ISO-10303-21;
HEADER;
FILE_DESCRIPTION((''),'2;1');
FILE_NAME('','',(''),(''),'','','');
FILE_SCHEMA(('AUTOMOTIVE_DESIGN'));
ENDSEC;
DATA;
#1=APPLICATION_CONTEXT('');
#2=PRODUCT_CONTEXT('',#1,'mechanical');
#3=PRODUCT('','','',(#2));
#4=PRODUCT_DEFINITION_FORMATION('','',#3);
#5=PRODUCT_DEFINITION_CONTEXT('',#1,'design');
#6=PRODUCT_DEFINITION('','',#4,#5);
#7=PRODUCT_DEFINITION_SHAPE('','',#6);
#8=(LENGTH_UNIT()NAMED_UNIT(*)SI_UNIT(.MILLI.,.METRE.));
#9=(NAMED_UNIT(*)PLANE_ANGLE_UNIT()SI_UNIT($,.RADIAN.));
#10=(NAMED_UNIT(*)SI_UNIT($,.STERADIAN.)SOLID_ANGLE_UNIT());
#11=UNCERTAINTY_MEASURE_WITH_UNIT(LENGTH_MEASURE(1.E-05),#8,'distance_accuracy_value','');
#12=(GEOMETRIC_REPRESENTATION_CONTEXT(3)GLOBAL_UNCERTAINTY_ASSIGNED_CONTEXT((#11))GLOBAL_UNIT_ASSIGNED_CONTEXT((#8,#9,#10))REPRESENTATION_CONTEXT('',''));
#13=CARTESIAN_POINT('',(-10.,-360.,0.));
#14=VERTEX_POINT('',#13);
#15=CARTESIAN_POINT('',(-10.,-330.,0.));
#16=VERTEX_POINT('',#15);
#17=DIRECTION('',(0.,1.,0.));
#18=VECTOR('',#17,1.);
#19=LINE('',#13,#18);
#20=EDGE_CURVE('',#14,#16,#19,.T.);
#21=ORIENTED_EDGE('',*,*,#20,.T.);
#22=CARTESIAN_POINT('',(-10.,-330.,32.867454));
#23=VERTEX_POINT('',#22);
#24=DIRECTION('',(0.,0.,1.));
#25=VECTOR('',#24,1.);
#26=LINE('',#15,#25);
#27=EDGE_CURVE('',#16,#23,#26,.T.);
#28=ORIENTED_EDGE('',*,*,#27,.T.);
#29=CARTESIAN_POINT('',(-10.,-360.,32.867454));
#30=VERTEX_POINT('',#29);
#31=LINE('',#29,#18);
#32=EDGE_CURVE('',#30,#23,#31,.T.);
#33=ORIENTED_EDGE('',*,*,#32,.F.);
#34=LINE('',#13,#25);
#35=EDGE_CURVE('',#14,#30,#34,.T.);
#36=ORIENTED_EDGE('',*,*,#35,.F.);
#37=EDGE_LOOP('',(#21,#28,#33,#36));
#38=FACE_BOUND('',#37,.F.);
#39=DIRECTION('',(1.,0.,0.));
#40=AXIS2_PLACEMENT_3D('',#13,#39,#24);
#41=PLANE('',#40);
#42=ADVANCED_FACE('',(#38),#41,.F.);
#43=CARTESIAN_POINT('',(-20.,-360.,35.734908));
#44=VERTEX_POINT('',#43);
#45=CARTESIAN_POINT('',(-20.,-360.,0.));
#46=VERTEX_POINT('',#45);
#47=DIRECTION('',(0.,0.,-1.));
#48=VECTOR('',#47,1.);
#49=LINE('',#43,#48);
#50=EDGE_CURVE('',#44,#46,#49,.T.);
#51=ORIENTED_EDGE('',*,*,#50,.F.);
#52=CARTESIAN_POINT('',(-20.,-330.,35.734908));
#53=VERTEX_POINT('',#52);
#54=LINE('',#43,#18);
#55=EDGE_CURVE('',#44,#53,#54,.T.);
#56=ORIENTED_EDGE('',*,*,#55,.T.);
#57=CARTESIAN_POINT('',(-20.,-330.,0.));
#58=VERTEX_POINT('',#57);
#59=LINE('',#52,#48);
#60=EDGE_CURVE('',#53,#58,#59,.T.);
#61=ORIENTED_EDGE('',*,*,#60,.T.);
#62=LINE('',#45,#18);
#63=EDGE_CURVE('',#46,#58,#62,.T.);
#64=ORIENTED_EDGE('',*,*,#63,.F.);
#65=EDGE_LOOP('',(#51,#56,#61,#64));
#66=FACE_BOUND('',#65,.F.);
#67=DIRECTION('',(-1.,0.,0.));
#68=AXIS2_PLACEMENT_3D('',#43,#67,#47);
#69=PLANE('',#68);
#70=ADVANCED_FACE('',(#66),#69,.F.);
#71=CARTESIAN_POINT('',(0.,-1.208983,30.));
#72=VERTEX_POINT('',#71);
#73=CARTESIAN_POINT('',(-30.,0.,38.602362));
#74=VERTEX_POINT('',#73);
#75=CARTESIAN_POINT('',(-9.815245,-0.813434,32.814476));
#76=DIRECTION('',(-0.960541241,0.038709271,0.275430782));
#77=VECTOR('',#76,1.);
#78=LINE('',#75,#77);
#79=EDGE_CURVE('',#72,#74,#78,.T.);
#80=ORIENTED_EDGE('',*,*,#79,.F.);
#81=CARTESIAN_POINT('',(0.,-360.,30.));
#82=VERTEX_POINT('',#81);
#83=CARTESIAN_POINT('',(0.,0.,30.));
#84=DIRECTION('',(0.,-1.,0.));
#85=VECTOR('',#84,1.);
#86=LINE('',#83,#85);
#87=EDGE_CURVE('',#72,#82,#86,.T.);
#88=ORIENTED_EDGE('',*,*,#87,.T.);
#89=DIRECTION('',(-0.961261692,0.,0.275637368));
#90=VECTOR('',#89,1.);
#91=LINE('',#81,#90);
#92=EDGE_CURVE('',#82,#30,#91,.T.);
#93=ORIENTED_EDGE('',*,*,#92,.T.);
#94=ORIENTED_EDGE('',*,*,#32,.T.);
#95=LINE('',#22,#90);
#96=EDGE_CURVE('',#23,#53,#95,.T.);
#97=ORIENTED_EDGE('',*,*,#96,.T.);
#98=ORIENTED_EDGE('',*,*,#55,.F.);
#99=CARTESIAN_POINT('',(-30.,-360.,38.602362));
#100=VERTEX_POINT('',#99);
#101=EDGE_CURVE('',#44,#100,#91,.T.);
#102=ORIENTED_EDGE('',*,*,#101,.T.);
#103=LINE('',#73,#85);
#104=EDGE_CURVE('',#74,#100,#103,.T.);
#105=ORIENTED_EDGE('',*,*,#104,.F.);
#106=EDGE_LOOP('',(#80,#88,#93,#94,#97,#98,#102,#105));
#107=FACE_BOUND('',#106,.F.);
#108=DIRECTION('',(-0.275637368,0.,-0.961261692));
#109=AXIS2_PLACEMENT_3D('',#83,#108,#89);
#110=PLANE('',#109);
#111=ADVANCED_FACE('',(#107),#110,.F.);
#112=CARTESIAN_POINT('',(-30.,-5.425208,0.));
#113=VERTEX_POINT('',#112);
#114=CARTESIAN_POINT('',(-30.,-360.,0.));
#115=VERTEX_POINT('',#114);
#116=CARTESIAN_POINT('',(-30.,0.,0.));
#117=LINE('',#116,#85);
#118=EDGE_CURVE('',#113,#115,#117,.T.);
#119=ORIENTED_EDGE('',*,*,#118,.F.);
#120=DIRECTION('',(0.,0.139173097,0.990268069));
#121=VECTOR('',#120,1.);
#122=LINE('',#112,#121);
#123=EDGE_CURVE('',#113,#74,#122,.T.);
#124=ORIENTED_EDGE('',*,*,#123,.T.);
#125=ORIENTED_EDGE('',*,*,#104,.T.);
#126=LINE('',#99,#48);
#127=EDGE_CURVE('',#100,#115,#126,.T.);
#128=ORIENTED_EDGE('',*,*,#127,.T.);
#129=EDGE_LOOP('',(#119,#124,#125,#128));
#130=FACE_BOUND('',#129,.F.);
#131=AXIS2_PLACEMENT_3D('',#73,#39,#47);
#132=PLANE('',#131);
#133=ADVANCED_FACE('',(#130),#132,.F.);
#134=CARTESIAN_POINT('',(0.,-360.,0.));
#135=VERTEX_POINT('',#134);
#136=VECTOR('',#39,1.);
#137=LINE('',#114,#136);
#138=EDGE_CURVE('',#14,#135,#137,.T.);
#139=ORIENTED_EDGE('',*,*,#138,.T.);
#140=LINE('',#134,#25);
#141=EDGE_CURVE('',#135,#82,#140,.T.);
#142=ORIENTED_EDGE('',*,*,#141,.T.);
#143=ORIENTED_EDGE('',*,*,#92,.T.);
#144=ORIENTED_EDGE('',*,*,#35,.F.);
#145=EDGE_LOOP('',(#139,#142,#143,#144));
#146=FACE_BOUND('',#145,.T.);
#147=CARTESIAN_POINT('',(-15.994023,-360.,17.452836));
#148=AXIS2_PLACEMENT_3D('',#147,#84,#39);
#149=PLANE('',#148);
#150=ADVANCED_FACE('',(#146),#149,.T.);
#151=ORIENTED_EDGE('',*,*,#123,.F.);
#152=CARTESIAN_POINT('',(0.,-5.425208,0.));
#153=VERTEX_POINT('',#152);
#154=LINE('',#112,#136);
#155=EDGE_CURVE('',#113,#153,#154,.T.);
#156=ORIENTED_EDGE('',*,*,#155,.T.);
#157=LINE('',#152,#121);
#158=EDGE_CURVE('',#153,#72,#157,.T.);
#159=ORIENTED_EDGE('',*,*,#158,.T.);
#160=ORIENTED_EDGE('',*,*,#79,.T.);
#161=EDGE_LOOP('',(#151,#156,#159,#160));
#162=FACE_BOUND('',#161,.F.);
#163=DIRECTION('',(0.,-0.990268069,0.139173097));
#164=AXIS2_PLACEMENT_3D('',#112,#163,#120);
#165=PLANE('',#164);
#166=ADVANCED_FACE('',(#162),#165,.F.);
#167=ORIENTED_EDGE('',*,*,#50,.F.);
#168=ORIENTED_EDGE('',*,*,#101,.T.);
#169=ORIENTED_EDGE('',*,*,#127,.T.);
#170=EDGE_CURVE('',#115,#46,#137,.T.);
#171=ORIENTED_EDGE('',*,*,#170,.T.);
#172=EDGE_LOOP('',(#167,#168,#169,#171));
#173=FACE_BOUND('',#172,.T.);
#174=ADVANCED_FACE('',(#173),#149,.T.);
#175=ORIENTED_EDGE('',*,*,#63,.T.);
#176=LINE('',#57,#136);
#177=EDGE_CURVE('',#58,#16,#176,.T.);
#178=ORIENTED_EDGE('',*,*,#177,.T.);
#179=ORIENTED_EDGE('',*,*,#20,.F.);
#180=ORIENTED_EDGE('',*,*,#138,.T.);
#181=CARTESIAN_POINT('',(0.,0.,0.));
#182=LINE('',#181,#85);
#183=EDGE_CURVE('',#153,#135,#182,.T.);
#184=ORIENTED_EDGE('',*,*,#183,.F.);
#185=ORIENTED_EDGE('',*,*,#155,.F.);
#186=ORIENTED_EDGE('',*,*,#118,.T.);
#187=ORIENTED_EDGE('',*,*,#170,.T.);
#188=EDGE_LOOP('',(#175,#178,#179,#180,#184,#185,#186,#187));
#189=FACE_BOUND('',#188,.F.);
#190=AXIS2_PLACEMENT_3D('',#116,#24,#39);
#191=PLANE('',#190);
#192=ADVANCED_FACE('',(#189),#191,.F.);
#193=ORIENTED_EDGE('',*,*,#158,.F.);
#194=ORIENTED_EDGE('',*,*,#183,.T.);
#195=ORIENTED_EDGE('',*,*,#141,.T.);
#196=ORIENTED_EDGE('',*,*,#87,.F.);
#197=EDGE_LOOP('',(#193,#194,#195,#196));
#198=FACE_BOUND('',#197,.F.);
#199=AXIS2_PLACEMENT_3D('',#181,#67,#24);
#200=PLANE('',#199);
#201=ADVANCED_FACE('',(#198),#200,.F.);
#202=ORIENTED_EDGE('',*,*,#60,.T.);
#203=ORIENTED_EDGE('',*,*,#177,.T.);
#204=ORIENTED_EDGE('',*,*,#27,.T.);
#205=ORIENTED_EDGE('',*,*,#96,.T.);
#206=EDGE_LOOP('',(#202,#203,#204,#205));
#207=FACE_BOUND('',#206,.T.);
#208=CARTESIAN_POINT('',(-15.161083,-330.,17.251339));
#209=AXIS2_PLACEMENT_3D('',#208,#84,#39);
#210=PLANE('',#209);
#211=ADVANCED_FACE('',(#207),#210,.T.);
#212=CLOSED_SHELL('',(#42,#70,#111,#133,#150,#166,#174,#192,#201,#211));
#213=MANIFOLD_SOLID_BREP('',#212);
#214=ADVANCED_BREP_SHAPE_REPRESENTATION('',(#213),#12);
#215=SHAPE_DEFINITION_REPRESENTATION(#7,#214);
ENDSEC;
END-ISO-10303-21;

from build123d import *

# Parameters (mm, degrees)
F1_DEPTH = 360
F3_DEPTH = 30
F5_DEPTH = 30


with BuildPart() as f1:
    # F0 (on Front) → F1 (new body)
    with BuildSketch(Plane.XZ):
        Polygon((-30, 0), (0, 0), (0, 30), (-30, 38.602362), align=None)
    extrude(amount=F1_DEPTH)

    # F2 (on face) → F3 (cut)
    with BuildSketch(Plane(origin=(-30, 0, 0), x_dir=(0, -1, 0), z_dir=(-1, 0, 0))):
        Polygon((5.425208, 0), (0, 38.602362), (0, 0), align=None)
    extrude(amount=-F3_DEPTH, mode=Mode.SUBTRACT)

    # F4 (on face) → F5 (cut)
    with BuildSketch(Plane.XZ.offset(360)):
        Polygon((-20, 0), (-15, 0), (-10, 0), (-10, 32.867454), (-15, 34.301181), (-20, 35.734908), align=None)
    extrude(amount=-F5_DEPTH, mode=Mode.SUBTRACT)


solid = f1.part
